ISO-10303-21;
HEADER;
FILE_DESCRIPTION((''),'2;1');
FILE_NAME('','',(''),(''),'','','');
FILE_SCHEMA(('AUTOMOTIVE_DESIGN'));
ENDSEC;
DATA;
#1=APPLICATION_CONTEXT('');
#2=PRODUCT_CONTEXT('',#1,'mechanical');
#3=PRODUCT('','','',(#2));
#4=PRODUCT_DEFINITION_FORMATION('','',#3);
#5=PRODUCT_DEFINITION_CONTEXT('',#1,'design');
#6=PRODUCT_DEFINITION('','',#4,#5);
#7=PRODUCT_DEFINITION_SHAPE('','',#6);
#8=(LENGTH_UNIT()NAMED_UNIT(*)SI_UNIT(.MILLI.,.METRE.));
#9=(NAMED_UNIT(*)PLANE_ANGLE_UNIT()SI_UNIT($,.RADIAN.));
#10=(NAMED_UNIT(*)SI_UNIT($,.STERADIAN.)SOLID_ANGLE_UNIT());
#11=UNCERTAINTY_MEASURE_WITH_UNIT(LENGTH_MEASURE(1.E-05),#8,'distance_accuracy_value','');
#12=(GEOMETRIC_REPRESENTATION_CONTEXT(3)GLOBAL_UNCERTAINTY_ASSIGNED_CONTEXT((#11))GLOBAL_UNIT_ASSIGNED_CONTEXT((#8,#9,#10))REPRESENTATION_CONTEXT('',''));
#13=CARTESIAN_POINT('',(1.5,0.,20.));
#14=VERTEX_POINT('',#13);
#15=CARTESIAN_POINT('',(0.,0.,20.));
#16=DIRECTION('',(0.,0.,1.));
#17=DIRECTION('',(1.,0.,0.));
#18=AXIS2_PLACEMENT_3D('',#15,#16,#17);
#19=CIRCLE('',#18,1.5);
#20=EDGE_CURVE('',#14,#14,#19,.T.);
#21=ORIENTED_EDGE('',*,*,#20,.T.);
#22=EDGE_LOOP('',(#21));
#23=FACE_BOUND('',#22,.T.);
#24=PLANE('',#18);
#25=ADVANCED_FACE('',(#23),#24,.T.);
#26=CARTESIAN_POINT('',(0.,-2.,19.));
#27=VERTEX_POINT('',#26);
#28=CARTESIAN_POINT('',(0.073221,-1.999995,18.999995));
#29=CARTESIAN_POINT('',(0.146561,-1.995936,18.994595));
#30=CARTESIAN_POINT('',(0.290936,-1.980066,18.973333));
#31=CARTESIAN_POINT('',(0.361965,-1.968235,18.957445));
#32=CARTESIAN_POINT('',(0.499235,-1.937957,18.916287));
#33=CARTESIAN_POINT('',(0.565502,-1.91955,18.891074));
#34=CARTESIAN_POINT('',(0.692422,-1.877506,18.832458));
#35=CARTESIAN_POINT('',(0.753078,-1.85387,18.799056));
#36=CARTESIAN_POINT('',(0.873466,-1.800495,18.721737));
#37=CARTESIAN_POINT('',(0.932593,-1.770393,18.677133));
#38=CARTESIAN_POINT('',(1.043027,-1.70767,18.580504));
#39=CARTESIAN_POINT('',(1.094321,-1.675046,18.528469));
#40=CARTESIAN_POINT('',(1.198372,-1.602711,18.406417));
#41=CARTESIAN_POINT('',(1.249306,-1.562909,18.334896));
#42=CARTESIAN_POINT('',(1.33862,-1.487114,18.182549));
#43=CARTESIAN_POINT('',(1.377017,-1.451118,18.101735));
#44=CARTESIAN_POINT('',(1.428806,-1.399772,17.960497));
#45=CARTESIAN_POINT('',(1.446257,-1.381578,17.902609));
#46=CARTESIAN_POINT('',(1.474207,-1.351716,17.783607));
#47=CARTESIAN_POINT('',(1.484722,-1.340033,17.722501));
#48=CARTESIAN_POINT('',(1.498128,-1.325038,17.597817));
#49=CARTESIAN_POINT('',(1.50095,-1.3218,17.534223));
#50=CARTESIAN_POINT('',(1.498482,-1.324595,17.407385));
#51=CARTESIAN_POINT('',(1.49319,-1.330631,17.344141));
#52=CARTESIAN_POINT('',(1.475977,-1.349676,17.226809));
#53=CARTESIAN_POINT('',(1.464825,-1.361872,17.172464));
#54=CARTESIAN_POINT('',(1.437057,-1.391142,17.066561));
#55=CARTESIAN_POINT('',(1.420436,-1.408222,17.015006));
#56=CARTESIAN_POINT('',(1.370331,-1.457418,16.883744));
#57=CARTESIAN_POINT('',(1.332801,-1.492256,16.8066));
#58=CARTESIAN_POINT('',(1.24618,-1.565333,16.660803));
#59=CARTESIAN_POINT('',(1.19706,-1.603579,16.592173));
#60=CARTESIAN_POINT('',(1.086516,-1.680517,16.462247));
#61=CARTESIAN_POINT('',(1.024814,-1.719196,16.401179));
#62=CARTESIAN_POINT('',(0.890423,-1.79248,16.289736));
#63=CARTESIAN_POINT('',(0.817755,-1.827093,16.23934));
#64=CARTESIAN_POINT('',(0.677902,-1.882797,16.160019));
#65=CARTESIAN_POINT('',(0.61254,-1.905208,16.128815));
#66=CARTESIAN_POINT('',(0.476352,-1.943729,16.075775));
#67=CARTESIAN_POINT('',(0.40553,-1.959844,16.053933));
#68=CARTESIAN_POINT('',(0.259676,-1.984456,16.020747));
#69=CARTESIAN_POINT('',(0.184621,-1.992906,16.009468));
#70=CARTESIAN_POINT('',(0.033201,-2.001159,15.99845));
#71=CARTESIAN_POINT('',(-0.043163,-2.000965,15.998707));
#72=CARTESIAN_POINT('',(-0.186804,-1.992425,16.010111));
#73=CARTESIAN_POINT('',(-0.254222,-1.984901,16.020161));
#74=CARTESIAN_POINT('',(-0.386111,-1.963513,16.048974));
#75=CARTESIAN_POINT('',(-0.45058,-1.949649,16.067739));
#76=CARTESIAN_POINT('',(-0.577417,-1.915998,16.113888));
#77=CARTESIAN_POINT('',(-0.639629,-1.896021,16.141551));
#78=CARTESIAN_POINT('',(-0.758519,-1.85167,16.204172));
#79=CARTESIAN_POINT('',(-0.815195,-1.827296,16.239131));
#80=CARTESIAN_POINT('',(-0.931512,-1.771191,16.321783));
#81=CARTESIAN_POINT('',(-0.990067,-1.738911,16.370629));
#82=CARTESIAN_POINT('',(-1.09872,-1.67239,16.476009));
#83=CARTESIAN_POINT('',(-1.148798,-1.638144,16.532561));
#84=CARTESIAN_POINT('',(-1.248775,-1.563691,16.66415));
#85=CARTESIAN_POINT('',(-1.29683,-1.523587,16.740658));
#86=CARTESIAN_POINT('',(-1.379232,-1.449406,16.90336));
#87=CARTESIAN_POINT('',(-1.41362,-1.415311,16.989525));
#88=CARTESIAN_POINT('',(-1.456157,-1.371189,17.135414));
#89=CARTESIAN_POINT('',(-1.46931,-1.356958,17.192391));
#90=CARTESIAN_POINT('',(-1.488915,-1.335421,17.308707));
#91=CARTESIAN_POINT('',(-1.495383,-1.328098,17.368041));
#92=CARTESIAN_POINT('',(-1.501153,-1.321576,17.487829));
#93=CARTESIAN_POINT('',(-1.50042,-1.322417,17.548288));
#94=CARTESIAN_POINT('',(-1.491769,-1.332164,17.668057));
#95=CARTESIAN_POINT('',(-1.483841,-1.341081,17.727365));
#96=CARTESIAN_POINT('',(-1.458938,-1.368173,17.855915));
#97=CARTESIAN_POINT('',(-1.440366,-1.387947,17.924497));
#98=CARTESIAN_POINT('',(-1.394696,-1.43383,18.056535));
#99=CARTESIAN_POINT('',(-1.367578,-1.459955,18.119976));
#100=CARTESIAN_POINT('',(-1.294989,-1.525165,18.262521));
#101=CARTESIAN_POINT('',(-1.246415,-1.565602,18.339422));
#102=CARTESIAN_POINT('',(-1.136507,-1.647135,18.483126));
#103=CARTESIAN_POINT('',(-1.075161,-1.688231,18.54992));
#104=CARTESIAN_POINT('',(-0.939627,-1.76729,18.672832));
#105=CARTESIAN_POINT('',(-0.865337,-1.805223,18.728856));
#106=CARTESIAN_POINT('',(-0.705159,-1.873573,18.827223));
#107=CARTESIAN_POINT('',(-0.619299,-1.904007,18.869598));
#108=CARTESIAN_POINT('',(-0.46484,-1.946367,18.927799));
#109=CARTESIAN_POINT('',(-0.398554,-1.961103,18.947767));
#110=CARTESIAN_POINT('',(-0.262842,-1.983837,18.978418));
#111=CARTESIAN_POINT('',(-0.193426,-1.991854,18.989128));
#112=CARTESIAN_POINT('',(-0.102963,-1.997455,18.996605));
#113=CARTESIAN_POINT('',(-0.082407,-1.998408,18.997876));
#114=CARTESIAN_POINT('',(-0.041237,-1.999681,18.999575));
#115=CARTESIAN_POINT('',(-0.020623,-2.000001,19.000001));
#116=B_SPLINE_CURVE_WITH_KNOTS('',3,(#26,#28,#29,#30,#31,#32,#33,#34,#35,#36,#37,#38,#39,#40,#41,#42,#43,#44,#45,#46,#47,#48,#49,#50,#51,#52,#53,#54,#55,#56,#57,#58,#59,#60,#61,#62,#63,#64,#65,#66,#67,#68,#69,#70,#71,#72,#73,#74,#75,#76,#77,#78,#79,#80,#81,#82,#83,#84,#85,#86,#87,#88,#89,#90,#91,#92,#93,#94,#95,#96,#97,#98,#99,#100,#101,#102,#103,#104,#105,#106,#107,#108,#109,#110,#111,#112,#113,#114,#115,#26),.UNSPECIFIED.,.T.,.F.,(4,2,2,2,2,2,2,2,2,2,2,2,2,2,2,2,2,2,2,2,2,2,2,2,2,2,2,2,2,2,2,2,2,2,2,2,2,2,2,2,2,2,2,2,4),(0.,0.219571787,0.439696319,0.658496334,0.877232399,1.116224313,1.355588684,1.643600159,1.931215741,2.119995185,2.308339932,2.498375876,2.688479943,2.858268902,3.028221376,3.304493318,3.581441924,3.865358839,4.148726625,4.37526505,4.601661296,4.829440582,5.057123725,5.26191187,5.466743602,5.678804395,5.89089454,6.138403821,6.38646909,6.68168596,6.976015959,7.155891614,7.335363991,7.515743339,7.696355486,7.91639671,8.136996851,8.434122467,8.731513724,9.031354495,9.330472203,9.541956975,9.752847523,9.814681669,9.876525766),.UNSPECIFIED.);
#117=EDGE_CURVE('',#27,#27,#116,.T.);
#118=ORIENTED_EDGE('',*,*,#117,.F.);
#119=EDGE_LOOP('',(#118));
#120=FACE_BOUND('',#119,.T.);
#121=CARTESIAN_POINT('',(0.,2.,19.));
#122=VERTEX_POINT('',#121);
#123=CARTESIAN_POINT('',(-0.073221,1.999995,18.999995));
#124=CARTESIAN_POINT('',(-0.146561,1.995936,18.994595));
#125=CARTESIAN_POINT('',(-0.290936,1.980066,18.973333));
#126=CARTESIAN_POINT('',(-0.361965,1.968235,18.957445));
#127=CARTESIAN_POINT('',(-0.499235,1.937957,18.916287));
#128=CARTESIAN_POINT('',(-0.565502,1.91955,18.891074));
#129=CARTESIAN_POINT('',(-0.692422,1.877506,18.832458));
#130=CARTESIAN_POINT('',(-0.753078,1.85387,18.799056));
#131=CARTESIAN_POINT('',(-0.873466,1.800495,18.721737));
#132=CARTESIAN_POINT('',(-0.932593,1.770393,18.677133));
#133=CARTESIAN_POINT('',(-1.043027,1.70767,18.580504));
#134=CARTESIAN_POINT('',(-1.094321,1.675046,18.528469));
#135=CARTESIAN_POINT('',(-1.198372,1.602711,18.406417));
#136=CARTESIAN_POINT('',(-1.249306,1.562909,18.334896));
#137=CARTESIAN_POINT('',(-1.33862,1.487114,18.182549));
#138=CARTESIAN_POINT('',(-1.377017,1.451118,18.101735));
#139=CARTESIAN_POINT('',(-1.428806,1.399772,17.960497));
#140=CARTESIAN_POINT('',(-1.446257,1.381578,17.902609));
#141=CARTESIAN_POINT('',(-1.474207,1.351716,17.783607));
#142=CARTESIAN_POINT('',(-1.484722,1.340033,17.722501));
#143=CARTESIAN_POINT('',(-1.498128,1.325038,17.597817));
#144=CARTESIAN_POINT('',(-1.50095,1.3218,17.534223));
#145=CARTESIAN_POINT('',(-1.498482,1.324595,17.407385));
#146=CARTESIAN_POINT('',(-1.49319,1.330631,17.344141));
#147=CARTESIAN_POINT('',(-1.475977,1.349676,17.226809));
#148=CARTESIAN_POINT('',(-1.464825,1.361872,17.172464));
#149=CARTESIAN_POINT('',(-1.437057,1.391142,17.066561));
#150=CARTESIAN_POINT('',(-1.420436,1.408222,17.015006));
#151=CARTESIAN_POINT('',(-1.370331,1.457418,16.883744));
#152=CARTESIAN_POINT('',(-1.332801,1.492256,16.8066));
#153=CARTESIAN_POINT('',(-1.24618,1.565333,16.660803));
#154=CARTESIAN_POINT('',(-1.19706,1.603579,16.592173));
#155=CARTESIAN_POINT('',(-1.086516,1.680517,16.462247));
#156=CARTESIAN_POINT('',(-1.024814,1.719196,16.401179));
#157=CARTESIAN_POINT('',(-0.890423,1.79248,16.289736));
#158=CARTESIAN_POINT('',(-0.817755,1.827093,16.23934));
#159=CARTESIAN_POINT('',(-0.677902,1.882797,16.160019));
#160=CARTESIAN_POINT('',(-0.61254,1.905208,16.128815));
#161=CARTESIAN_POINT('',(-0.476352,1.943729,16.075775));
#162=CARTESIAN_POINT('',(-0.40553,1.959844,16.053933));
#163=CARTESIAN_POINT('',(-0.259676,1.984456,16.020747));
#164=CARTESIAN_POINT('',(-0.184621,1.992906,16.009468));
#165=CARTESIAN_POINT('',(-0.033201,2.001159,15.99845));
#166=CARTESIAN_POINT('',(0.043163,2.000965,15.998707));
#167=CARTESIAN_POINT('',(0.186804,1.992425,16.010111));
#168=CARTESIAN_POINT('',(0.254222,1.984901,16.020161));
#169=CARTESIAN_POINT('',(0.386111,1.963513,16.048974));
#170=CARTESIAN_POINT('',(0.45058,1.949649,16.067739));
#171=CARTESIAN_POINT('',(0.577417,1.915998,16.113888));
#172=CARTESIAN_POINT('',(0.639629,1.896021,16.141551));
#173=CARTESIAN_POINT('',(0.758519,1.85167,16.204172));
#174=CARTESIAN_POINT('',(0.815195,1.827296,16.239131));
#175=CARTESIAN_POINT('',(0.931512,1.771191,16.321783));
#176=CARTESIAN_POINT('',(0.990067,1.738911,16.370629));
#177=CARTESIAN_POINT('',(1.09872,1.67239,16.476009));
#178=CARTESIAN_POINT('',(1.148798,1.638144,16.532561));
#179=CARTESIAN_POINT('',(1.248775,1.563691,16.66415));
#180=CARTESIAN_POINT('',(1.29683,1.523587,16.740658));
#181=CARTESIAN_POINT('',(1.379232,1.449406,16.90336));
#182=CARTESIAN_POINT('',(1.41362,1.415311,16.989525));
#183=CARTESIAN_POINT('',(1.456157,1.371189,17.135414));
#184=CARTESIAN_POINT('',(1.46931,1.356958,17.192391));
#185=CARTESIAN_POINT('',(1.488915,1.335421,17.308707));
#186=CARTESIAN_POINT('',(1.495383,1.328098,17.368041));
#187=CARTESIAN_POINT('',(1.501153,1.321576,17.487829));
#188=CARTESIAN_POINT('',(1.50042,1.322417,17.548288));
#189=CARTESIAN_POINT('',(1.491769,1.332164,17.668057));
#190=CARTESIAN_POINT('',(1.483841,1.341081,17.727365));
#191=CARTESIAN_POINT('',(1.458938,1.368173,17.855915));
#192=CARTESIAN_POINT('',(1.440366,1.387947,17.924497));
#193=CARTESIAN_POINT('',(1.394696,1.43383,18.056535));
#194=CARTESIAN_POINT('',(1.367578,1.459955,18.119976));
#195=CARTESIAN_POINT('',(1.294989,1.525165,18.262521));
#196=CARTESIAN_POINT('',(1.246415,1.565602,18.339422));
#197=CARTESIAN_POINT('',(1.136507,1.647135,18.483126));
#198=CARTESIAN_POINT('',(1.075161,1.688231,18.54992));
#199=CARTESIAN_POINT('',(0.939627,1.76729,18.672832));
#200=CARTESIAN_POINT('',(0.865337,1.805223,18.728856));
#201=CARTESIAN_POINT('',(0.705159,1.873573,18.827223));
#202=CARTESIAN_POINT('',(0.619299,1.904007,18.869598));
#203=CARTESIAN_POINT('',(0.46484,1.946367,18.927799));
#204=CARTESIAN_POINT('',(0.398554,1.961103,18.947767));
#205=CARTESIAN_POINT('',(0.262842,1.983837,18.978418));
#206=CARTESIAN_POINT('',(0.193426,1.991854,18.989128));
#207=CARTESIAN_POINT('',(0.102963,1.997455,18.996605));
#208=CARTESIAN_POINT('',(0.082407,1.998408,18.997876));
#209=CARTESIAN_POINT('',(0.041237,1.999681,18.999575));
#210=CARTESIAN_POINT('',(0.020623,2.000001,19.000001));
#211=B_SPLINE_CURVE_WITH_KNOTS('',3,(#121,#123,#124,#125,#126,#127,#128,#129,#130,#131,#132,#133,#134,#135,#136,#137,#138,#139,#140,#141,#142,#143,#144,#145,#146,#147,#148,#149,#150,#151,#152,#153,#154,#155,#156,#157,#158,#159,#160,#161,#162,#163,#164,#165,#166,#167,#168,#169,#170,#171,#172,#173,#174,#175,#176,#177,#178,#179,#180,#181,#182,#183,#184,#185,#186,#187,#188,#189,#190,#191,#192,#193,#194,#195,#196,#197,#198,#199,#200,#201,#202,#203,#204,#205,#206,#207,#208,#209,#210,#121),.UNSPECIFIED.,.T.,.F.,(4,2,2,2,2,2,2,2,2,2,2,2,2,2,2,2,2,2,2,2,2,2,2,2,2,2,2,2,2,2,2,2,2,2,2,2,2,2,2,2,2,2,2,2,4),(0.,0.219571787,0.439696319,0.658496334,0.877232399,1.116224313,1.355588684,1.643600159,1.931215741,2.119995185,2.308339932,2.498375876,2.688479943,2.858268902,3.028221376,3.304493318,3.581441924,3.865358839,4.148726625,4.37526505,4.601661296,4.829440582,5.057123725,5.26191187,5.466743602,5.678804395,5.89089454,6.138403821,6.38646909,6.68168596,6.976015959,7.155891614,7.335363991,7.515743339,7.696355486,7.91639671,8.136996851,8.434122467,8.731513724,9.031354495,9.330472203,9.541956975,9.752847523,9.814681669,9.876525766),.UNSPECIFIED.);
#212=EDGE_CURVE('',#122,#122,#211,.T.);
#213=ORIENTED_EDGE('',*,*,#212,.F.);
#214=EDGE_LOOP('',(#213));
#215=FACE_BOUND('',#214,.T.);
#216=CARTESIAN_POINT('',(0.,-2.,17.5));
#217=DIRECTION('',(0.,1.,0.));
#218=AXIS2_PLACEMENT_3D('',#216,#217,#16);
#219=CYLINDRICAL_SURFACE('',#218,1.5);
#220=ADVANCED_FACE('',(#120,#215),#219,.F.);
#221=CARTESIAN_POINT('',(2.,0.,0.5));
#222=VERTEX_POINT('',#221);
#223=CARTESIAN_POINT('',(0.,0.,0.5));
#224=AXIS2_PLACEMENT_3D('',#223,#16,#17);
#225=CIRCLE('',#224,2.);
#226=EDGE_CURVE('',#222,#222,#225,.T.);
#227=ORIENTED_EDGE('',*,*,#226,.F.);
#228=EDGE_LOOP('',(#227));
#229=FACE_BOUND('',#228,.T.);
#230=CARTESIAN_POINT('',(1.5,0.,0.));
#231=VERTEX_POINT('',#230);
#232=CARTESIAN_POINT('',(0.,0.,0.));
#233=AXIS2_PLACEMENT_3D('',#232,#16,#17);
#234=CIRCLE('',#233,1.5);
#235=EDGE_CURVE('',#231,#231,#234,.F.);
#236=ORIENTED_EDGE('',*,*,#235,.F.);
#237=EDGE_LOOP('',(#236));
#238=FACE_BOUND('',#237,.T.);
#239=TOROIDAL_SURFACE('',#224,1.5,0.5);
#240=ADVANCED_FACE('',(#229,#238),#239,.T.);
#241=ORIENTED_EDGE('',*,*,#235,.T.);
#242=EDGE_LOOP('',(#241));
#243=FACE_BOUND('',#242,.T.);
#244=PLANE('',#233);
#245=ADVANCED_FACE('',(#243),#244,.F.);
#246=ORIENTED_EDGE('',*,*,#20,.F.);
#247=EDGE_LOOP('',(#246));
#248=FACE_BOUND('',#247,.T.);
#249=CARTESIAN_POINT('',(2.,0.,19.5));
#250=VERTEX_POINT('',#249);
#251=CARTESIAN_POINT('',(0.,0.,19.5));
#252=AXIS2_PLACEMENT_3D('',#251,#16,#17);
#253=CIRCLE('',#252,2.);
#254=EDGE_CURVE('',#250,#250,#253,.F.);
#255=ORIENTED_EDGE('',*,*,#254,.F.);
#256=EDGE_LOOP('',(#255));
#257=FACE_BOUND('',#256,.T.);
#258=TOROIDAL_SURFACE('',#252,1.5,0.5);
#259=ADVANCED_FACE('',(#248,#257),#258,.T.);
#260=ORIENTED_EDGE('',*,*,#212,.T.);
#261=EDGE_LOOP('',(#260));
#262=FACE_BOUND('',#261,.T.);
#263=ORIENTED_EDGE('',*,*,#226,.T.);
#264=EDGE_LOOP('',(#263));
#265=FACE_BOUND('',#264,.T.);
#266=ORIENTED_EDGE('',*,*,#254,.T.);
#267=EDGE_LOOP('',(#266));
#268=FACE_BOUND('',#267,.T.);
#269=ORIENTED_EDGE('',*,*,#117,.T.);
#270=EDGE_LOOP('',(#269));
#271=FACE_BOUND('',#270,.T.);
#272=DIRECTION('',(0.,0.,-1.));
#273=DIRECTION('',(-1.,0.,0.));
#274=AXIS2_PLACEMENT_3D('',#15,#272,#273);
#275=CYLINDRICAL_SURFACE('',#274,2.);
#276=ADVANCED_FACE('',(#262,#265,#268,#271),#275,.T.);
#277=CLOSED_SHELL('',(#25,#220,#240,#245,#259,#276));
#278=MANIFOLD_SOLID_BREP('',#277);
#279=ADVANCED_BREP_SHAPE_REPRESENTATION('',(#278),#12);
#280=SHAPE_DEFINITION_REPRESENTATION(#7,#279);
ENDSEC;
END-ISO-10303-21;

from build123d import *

# Parameters (mm, degrees)
SKETCH1_R               = 2
BOSS_EXTRUDE1_DEPTH     = 20
SKETCH2_R               = 1.5
CUT_EXTRUDE1_DEPTH      = 3
CUT_EXTRUDE1_DEPTH_BACK = 3
FILLET1_R               = 0.5


with BuildPart() as part:
    # Sketch1 → Boss-Extrude1 (new body)
    with BuildSketch(Plane.XY):
        Circle(SKETCH1_R)
    extrude(amount=BOSS_EXTRUDE1_DEPTH)

    # Sketch2 → Cut-Extrude1 (cut, two sides)
    with BuildSketch(Plane(origin=(0, 0, 0), x_dir=(1, 0, 0), z_dir=(0, 1, 0))) as cut_extrude1_sk:
        with Locations((0, -17.5)):
            Circle(SKETCH2_R)
    extrude(amount=CUT_EXTRUDE1_DEPTH, mode=Mode.SUBTRACT)
    extrude(cut_extrude1_sk.sketch, amount=-CUT_EXTRUDE1_DEPTH_BACK, mode=Mode.SUBTRACT)

    # Fillet1
    fillet1_edges = [part.edges().sort_by_distance(p)[0] for p in [
        (-2, 0, 0),
        (-2, 0, 20),
    ]]
    fillet(fillet1_edges, radius=FILLET1_R)


solid = part.part
